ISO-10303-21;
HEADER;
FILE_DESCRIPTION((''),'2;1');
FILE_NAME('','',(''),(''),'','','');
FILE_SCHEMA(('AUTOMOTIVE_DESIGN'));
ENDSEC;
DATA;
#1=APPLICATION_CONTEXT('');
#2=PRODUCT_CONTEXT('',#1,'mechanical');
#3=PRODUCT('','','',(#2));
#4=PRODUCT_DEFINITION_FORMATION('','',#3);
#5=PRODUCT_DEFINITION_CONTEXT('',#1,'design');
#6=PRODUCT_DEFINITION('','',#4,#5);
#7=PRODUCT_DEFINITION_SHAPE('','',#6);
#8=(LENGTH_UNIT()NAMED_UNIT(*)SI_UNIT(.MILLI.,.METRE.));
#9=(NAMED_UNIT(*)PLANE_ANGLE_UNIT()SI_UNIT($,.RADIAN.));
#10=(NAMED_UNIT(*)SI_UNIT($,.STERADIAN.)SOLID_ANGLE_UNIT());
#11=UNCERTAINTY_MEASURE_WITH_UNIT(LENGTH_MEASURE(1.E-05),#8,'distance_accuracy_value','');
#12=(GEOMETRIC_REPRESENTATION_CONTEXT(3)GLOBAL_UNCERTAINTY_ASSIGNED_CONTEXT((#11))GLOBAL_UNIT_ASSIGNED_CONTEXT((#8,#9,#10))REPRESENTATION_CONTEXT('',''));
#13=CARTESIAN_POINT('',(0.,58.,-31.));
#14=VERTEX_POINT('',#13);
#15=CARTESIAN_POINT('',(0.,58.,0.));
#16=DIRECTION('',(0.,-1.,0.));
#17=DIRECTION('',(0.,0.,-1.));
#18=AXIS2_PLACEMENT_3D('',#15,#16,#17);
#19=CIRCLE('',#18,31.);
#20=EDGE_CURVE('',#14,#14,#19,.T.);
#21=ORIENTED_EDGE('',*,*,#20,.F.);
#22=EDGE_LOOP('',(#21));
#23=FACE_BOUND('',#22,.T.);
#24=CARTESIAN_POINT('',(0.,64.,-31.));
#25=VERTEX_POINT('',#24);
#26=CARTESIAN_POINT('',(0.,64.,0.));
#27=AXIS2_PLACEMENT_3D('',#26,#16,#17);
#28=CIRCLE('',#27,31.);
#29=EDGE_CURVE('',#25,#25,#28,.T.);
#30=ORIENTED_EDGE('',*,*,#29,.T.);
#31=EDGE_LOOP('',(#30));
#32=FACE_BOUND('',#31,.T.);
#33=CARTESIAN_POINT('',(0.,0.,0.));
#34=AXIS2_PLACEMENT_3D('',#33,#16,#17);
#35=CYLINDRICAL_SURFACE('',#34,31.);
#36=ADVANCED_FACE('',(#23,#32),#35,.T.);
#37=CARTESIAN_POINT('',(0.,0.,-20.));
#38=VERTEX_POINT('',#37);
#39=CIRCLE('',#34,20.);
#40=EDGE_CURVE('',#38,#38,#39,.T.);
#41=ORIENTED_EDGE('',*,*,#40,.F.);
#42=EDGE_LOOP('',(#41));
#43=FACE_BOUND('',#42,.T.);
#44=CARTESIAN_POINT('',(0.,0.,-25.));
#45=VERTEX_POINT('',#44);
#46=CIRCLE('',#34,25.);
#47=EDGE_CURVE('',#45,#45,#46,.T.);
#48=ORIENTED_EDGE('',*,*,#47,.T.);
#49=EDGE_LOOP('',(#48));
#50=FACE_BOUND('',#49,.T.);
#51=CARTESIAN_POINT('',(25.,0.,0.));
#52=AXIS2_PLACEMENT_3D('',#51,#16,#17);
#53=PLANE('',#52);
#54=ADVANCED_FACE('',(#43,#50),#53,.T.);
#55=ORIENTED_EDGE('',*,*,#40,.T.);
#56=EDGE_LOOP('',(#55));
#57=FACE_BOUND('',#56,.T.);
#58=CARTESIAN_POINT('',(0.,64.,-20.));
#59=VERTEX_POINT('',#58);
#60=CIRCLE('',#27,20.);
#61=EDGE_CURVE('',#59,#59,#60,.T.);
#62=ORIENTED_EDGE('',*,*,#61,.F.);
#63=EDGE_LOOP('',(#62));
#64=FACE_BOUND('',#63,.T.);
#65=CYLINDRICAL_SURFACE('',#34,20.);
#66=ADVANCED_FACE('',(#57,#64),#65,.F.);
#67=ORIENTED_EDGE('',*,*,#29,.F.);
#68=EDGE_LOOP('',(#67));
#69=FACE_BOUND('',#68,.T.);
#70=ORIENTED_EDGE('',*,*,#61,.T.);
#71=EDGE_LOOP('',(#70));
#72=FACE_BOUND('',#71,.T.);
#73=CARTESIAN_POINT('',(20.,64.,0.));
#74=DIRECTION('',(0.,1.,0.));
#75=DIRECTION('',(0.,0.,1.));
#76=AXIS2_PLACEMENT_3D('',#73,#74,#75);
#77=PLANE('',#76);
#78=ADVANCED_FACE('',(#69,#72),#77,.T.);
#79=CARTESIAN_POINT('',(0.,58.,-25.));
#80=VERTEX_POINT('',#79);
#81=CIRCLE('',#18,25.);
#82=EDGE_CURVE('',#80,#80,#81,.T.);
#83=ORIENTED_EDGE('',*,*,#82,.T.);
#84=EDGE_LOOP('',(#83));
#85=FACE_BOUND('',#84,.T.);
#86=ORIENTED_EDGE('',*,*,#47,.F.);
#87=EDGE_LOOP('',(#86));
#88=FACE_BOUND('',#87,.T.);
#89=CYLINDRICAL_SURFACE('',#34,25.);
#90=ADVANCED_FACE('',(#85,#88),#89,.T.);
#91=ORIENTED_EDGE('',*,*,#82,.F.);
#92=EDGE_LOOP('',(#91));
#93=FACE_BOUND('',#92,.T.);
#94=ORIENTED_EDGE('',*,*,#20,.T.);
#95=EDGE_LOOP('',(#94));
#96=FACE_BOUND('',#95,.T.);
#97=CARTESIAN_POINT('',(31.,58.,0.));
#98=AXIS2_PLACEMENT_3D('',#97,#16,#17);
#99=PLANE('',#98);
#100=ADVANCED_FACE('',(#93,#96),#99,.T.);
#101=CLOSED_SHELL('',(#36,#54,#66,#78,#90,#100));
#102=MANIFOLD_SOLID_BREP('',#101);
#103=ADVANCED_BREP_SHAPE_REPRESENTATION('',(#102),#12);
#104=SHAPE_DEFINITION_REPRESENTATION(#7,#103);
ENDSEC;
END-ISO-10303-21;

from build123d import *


with BuildPart() as part:
    # Sketch1 → Revolve1 (revolve)
    with BuildSketch(Plane.XY, mode=Mode.PRIVATE) as revolve1_sk:
        Polygon((20, 0), (20, 64), (31, 64), (31, 58), (25, 58), (25, 0), align=None)
    revolve(revolve1_sk.sketch.rotate(Axis((0, 0, 0), (0, 1, 0)), 90), axis=Axis((0, 0, 0), (0, 1, 0)))


solid = part.part
